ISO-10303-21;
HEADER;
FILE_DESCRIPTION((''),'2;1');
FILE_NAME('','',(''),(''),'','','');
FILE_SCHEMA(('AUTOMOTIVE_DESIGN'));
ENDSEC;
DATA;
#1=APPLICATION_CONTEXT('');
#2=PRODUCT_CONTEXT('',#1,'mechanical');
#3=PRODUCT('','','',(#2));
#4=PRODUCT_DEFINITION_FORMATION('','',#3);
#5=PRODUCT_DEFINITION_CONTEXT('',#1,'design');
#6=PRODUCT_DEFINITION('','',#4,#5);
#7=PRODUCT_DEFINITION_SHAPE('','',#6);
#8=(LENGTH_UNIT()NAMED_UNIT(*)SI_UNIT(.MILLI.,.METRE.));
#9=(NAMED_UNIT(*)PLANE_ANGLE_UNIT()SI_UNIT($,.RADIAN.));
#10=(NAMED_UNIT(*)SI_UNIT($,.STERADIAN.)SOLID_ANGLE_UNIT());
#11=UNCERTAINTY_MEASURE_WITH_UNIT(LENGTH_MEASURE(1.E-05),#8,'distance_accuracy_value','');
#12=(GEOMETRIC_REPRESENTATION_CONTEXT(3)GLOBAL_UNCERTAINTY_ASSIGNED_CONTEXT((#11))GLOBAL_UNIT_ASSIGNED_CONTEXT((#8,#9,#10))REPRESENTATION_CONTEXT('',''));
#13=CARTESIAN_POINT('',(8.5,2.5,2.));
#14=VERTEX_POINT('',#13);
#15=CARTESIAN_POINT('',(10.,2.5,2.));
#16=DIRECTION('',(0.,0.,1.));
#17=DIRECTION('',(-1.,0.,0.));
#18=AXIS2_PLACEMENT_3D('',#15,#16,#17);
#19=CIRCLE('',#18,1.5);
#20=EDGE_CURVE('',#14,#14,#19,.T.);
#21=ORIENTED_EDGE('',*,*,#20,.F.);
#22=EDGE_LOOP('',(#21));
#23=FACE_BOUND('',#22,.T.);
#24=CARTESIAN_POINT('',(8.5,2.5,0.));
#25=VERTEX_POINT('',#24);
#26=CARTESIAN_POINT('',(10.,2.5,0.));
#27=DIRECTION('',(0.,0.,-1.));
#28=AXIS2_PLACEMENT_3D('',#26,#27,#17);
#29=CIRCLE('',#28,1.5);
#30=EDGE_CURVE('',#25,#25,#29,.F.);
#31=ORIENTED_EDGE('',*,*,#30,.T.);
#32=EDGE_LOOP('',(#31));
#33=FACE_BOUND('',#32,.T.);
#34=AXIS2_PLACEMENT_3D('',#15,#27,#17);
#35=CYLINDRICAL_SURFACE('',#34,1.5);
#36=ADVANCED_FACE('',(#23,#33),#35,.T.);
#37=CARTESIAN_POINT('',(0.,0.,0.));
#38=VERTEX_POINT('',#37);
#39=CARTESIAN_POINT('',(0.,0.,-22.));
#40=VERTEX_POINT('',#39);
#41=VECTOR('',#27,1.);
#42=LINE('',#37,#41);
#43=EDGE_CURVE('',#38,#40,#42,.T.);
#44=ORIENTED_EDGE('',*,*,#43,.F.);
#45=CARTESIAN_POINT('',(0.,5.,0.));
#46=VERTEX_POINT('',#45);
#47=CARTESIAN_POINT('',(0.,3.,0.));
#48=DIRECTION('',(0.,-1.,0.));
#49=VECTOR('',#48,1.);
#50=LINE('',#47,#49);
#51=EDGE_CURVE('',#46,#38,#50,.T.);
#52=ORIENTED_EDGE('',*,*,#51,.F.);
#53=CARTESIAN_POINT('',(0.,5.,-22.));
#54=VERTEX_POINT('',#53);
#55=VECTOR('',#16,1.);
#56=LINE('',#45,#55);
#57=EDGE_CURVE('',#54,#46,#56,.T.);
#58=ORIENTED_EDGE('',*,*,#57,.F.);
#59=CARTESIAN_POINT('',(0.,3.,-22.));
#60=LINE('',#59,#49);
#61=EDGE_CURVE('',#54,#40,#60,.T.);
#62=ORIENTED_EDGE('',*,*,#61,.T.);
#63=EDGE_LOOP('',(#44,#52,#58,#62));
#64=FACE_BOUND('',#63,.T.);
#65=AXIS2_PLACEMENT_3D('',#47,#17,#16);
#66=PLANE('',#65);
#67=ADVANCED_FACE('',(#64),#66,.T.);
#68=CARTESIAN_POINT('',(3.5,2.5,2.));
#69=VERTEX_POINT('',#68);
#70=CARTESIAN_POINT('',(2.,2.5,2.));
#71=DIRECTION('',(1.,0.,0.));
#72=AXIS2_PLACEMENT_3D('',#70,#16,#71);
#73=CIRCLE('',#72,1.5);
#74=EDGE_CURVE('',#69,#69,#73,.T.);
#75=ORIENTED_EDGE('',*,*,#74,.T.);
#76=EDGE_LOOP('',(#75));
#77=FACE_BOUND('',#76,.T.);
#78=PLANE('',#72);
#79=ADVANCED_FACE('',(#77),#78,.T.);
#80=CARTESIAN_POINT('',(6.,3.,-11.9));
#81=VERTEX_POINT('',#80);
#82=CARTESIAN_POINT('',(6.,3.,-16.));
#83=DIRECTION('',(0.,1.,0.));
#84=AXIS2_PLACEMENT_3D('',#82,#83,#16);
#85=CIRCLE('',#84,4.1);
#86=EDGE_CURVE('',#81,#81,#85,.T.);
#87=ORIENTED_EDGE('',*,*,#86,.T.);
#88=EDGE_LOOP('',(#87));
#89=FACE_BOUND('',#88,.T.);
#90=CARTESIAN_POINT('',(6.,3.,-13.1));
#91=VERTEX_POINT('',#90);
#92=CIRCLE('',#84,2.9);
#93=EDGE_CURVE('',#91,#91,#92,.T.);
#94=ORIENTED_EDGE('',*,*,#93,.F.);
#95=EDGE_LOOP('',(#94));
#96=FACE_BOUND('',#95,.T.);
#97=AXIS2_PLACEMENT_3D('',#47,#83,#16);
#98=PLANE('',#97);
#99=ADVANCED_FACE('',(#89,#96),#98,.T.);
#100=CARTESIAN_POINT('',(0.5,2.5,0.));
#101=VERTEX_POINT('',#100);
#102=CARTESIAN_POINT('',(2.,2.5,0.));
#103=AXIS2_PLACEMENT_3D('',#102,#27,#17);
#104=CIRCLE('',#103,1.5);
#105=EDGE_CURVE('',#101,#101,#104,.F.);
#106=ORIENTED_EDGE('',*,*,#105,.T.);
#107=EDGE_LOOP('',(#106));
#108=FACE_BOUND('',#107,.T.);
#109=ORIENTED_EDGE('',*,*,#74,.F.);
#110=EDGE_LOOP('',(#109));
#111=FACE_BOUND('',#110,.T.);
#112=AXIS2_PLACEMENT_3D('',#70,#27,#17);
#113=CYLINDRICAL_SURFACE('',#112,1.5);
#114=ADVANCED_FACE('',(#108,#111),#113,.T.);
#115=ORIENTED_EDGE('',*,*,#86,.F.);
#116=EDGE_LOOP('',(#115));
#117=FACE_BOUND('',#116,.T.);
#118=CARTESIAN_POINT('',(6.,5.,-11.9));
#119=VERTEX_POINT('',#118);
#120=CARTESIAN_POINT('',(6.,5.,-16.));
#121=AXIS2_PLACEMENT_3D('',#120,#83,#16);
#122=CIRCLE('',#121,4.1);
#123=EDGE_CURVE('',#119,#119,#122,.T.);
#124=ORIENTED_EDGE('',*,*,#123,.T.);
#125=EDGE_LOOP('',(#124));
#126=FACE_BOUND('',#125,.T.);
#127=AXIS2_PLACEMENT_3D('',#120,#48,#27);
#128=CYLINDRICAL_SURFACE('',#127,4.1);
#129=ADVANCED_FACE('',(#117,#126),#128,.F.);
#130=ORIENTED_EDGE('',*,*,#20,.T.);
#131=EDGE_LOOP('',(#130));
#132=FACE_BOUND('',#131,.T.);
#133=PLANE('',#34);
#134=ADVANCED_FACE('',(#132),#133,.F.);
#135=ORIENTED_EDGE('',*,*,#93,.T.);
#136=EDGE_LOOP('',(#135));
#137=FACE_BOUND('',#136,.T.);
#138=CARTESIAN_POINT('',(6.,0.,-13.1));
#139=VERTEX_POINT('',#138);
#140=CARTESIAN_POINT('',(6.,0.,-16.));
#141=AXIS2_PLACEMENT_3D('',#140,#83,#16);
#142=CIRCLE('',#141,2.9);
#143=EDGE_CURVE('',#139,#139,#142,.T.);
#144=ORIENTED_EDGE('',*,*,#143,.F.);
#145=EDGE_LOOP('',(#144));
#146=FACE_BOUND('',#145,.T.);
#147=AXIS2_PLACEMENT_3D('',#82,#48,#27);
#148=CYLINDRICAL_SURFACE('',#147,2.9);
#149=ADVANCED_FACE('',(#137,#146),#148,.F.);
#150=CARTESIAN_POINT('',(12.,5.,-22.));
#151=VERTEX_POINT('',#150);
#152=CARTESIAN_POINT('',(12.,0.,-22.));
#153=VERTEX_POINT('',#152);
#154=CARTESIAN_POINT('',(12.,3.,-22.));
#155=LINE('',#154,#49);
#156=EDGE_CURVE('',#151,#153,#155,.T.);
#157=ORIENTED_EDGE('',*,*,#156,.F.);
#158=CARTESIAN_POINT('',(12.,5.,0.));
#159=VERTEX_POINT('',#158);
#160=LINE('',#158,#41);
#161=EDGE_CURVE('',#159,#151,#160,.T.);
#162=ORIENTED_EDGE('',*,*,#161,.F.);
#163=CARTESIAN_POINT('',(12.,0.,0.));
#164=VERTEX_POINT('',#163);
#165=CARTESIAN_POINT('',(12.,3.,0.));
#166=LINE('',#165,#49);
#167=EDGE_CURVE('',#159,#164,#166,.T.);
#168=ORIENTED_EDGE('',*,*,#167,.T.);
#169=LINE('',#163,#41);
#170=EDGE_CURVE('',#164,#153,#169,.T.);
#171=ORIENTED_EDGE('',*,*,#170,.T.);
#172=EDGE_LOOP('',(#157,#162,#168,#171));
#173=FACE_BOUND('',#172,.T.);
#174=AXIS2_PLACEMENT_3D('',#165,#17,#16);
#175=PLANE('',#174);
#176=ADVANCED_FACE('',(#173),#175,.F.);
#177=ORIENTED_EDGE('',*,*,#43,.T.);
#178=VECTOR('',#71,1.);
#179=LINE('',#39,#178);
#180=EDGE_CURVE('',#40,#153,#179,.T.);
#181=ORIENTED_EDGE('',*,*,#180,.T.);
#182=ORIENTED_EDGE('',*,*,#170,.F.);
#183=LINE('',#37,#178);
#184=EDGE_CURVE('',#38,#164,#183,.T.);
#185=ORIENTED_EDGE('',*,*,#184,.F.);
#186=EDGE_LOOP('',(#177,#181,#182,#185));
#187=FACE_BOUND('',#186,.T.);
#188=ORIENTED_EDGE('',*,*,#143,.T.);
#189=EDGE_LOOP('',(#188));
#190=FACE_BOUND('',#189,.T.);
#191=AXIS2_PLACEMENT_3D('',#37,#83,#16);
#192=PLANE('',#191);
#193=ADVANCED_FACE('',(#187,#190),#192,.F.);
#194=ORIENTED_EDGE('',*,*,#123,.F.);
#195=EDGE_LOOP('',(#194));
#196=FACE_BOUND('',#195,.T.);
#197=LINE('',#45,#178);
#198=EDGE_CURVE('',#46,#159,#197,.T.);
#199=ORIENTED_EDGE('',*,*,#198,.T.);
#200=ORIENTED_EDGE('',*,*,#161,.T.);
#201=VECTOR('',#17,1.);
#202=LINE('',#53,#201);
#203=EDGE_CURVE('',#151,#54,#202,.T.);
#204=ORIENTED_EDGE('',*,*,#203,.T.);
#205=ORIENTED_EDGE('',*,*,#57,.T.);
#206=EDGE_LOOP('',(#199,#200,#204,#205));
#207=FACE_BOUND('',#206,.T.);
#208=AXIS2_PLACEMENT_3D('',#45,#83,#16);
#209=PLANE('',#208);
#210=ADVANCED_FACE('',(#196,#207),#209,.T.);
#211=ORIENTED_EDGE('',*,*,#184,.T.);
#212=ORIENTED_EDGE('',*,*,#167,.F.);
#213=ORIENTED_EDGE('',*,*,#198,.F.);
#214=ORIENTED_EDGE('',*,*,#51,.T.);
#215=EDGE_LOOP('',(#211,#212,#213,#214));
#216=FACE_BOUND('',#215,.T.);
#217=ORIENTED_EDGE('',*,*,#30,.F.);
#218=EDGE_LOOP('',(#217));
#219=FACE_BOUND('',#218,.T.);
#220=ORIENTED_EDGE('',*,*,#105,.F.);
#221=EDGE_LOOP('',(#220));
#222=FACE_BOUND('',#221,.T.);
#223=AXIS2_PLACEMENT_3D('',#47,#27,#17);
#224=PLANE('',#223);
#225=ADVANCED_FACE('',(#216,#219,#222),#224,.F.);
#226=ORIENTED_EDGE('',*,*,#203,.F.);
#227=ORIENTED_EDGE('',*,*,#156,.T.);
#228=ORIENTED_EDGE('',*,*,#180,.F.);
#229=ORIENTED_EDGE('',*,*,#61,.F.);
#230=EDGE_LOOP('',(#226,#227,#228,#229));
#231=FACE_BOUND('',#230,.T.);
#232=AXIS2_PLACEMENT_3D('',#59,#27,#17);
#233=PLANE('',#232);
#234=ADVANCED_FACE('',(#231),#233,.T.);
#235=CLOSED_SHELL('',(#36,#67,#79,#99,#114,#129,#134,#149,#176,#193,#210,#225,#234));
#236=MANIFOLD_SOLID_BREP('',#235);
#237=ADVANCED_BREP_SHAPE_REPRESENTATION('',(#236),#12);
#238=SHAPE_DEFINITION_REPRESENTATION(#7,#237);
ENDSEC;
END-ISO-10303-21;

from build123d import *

# Parameters (mm, degrees)
SKETCH_1_W      = 12
SKETCH_1_H      = 22
SKETCH_1_R      = 2.9
EXTRUDE_1_DEPTH = 3
SKETCH_3_W      = 12
SKETCH_3_H      = 22
SKETCH_3_R      = 4.1
EXTRUDE_2_DEPTH = 2
SKETCH_7_R      = 1.5
EXTRUDE_3_DEPTH = 2


with BuildPart() as part:
    # 草图1 → 凸台-拉伸1 (new body)
    with BuildSketch(Plane(origin=(0, 0, 0), x_dir=(1, 0, 0), z_dir=(0, 1, 0))):
        with Locations((6, 11)):
            Rectangle(SKETCH_1_W, SKETCH_1_H)
        with Locations(Location((6, 16, 0), (0, 0, 270))):
            Circle(SKETCH_1_R, mode=Mode.SUBTRACT)
    extrude(amount=EXTRUDE_1_DEPTH)

    # 草图3 → 凸台-拉伸2 (add)
    with BuildSketch(Plane(origin=(0, 3, 0), x_dir=(1, 0, 0), z_dir=(0, 1, 0))):
        with Locations((6, 11)):
            Rectangle(SKETCH_3_W, SKETCH_3_H)
        with Locations(Location((6, 16, 0), (0, 0, 270))):
            Circle(SKETCH_3_R, mode=Mode.SUBTRACT)
    extrude(amount=EXTRUDE_2_DEPTH)

    # 草图7 → 凸台-拉伸3 (add)
    with BuildSketch(Plane.XY):
        with Locations(Location((2, 2.5, 0), (0, 0, 180))):
            Circle(SKETCH_7_R)
        with Locations(Location((10, 2.5, 0), (0, 0, 180))):
            Circle(SKETCH_7_R)
    extrude(amount=EXTRUDE_3_DEPTH)


solid = part.part
